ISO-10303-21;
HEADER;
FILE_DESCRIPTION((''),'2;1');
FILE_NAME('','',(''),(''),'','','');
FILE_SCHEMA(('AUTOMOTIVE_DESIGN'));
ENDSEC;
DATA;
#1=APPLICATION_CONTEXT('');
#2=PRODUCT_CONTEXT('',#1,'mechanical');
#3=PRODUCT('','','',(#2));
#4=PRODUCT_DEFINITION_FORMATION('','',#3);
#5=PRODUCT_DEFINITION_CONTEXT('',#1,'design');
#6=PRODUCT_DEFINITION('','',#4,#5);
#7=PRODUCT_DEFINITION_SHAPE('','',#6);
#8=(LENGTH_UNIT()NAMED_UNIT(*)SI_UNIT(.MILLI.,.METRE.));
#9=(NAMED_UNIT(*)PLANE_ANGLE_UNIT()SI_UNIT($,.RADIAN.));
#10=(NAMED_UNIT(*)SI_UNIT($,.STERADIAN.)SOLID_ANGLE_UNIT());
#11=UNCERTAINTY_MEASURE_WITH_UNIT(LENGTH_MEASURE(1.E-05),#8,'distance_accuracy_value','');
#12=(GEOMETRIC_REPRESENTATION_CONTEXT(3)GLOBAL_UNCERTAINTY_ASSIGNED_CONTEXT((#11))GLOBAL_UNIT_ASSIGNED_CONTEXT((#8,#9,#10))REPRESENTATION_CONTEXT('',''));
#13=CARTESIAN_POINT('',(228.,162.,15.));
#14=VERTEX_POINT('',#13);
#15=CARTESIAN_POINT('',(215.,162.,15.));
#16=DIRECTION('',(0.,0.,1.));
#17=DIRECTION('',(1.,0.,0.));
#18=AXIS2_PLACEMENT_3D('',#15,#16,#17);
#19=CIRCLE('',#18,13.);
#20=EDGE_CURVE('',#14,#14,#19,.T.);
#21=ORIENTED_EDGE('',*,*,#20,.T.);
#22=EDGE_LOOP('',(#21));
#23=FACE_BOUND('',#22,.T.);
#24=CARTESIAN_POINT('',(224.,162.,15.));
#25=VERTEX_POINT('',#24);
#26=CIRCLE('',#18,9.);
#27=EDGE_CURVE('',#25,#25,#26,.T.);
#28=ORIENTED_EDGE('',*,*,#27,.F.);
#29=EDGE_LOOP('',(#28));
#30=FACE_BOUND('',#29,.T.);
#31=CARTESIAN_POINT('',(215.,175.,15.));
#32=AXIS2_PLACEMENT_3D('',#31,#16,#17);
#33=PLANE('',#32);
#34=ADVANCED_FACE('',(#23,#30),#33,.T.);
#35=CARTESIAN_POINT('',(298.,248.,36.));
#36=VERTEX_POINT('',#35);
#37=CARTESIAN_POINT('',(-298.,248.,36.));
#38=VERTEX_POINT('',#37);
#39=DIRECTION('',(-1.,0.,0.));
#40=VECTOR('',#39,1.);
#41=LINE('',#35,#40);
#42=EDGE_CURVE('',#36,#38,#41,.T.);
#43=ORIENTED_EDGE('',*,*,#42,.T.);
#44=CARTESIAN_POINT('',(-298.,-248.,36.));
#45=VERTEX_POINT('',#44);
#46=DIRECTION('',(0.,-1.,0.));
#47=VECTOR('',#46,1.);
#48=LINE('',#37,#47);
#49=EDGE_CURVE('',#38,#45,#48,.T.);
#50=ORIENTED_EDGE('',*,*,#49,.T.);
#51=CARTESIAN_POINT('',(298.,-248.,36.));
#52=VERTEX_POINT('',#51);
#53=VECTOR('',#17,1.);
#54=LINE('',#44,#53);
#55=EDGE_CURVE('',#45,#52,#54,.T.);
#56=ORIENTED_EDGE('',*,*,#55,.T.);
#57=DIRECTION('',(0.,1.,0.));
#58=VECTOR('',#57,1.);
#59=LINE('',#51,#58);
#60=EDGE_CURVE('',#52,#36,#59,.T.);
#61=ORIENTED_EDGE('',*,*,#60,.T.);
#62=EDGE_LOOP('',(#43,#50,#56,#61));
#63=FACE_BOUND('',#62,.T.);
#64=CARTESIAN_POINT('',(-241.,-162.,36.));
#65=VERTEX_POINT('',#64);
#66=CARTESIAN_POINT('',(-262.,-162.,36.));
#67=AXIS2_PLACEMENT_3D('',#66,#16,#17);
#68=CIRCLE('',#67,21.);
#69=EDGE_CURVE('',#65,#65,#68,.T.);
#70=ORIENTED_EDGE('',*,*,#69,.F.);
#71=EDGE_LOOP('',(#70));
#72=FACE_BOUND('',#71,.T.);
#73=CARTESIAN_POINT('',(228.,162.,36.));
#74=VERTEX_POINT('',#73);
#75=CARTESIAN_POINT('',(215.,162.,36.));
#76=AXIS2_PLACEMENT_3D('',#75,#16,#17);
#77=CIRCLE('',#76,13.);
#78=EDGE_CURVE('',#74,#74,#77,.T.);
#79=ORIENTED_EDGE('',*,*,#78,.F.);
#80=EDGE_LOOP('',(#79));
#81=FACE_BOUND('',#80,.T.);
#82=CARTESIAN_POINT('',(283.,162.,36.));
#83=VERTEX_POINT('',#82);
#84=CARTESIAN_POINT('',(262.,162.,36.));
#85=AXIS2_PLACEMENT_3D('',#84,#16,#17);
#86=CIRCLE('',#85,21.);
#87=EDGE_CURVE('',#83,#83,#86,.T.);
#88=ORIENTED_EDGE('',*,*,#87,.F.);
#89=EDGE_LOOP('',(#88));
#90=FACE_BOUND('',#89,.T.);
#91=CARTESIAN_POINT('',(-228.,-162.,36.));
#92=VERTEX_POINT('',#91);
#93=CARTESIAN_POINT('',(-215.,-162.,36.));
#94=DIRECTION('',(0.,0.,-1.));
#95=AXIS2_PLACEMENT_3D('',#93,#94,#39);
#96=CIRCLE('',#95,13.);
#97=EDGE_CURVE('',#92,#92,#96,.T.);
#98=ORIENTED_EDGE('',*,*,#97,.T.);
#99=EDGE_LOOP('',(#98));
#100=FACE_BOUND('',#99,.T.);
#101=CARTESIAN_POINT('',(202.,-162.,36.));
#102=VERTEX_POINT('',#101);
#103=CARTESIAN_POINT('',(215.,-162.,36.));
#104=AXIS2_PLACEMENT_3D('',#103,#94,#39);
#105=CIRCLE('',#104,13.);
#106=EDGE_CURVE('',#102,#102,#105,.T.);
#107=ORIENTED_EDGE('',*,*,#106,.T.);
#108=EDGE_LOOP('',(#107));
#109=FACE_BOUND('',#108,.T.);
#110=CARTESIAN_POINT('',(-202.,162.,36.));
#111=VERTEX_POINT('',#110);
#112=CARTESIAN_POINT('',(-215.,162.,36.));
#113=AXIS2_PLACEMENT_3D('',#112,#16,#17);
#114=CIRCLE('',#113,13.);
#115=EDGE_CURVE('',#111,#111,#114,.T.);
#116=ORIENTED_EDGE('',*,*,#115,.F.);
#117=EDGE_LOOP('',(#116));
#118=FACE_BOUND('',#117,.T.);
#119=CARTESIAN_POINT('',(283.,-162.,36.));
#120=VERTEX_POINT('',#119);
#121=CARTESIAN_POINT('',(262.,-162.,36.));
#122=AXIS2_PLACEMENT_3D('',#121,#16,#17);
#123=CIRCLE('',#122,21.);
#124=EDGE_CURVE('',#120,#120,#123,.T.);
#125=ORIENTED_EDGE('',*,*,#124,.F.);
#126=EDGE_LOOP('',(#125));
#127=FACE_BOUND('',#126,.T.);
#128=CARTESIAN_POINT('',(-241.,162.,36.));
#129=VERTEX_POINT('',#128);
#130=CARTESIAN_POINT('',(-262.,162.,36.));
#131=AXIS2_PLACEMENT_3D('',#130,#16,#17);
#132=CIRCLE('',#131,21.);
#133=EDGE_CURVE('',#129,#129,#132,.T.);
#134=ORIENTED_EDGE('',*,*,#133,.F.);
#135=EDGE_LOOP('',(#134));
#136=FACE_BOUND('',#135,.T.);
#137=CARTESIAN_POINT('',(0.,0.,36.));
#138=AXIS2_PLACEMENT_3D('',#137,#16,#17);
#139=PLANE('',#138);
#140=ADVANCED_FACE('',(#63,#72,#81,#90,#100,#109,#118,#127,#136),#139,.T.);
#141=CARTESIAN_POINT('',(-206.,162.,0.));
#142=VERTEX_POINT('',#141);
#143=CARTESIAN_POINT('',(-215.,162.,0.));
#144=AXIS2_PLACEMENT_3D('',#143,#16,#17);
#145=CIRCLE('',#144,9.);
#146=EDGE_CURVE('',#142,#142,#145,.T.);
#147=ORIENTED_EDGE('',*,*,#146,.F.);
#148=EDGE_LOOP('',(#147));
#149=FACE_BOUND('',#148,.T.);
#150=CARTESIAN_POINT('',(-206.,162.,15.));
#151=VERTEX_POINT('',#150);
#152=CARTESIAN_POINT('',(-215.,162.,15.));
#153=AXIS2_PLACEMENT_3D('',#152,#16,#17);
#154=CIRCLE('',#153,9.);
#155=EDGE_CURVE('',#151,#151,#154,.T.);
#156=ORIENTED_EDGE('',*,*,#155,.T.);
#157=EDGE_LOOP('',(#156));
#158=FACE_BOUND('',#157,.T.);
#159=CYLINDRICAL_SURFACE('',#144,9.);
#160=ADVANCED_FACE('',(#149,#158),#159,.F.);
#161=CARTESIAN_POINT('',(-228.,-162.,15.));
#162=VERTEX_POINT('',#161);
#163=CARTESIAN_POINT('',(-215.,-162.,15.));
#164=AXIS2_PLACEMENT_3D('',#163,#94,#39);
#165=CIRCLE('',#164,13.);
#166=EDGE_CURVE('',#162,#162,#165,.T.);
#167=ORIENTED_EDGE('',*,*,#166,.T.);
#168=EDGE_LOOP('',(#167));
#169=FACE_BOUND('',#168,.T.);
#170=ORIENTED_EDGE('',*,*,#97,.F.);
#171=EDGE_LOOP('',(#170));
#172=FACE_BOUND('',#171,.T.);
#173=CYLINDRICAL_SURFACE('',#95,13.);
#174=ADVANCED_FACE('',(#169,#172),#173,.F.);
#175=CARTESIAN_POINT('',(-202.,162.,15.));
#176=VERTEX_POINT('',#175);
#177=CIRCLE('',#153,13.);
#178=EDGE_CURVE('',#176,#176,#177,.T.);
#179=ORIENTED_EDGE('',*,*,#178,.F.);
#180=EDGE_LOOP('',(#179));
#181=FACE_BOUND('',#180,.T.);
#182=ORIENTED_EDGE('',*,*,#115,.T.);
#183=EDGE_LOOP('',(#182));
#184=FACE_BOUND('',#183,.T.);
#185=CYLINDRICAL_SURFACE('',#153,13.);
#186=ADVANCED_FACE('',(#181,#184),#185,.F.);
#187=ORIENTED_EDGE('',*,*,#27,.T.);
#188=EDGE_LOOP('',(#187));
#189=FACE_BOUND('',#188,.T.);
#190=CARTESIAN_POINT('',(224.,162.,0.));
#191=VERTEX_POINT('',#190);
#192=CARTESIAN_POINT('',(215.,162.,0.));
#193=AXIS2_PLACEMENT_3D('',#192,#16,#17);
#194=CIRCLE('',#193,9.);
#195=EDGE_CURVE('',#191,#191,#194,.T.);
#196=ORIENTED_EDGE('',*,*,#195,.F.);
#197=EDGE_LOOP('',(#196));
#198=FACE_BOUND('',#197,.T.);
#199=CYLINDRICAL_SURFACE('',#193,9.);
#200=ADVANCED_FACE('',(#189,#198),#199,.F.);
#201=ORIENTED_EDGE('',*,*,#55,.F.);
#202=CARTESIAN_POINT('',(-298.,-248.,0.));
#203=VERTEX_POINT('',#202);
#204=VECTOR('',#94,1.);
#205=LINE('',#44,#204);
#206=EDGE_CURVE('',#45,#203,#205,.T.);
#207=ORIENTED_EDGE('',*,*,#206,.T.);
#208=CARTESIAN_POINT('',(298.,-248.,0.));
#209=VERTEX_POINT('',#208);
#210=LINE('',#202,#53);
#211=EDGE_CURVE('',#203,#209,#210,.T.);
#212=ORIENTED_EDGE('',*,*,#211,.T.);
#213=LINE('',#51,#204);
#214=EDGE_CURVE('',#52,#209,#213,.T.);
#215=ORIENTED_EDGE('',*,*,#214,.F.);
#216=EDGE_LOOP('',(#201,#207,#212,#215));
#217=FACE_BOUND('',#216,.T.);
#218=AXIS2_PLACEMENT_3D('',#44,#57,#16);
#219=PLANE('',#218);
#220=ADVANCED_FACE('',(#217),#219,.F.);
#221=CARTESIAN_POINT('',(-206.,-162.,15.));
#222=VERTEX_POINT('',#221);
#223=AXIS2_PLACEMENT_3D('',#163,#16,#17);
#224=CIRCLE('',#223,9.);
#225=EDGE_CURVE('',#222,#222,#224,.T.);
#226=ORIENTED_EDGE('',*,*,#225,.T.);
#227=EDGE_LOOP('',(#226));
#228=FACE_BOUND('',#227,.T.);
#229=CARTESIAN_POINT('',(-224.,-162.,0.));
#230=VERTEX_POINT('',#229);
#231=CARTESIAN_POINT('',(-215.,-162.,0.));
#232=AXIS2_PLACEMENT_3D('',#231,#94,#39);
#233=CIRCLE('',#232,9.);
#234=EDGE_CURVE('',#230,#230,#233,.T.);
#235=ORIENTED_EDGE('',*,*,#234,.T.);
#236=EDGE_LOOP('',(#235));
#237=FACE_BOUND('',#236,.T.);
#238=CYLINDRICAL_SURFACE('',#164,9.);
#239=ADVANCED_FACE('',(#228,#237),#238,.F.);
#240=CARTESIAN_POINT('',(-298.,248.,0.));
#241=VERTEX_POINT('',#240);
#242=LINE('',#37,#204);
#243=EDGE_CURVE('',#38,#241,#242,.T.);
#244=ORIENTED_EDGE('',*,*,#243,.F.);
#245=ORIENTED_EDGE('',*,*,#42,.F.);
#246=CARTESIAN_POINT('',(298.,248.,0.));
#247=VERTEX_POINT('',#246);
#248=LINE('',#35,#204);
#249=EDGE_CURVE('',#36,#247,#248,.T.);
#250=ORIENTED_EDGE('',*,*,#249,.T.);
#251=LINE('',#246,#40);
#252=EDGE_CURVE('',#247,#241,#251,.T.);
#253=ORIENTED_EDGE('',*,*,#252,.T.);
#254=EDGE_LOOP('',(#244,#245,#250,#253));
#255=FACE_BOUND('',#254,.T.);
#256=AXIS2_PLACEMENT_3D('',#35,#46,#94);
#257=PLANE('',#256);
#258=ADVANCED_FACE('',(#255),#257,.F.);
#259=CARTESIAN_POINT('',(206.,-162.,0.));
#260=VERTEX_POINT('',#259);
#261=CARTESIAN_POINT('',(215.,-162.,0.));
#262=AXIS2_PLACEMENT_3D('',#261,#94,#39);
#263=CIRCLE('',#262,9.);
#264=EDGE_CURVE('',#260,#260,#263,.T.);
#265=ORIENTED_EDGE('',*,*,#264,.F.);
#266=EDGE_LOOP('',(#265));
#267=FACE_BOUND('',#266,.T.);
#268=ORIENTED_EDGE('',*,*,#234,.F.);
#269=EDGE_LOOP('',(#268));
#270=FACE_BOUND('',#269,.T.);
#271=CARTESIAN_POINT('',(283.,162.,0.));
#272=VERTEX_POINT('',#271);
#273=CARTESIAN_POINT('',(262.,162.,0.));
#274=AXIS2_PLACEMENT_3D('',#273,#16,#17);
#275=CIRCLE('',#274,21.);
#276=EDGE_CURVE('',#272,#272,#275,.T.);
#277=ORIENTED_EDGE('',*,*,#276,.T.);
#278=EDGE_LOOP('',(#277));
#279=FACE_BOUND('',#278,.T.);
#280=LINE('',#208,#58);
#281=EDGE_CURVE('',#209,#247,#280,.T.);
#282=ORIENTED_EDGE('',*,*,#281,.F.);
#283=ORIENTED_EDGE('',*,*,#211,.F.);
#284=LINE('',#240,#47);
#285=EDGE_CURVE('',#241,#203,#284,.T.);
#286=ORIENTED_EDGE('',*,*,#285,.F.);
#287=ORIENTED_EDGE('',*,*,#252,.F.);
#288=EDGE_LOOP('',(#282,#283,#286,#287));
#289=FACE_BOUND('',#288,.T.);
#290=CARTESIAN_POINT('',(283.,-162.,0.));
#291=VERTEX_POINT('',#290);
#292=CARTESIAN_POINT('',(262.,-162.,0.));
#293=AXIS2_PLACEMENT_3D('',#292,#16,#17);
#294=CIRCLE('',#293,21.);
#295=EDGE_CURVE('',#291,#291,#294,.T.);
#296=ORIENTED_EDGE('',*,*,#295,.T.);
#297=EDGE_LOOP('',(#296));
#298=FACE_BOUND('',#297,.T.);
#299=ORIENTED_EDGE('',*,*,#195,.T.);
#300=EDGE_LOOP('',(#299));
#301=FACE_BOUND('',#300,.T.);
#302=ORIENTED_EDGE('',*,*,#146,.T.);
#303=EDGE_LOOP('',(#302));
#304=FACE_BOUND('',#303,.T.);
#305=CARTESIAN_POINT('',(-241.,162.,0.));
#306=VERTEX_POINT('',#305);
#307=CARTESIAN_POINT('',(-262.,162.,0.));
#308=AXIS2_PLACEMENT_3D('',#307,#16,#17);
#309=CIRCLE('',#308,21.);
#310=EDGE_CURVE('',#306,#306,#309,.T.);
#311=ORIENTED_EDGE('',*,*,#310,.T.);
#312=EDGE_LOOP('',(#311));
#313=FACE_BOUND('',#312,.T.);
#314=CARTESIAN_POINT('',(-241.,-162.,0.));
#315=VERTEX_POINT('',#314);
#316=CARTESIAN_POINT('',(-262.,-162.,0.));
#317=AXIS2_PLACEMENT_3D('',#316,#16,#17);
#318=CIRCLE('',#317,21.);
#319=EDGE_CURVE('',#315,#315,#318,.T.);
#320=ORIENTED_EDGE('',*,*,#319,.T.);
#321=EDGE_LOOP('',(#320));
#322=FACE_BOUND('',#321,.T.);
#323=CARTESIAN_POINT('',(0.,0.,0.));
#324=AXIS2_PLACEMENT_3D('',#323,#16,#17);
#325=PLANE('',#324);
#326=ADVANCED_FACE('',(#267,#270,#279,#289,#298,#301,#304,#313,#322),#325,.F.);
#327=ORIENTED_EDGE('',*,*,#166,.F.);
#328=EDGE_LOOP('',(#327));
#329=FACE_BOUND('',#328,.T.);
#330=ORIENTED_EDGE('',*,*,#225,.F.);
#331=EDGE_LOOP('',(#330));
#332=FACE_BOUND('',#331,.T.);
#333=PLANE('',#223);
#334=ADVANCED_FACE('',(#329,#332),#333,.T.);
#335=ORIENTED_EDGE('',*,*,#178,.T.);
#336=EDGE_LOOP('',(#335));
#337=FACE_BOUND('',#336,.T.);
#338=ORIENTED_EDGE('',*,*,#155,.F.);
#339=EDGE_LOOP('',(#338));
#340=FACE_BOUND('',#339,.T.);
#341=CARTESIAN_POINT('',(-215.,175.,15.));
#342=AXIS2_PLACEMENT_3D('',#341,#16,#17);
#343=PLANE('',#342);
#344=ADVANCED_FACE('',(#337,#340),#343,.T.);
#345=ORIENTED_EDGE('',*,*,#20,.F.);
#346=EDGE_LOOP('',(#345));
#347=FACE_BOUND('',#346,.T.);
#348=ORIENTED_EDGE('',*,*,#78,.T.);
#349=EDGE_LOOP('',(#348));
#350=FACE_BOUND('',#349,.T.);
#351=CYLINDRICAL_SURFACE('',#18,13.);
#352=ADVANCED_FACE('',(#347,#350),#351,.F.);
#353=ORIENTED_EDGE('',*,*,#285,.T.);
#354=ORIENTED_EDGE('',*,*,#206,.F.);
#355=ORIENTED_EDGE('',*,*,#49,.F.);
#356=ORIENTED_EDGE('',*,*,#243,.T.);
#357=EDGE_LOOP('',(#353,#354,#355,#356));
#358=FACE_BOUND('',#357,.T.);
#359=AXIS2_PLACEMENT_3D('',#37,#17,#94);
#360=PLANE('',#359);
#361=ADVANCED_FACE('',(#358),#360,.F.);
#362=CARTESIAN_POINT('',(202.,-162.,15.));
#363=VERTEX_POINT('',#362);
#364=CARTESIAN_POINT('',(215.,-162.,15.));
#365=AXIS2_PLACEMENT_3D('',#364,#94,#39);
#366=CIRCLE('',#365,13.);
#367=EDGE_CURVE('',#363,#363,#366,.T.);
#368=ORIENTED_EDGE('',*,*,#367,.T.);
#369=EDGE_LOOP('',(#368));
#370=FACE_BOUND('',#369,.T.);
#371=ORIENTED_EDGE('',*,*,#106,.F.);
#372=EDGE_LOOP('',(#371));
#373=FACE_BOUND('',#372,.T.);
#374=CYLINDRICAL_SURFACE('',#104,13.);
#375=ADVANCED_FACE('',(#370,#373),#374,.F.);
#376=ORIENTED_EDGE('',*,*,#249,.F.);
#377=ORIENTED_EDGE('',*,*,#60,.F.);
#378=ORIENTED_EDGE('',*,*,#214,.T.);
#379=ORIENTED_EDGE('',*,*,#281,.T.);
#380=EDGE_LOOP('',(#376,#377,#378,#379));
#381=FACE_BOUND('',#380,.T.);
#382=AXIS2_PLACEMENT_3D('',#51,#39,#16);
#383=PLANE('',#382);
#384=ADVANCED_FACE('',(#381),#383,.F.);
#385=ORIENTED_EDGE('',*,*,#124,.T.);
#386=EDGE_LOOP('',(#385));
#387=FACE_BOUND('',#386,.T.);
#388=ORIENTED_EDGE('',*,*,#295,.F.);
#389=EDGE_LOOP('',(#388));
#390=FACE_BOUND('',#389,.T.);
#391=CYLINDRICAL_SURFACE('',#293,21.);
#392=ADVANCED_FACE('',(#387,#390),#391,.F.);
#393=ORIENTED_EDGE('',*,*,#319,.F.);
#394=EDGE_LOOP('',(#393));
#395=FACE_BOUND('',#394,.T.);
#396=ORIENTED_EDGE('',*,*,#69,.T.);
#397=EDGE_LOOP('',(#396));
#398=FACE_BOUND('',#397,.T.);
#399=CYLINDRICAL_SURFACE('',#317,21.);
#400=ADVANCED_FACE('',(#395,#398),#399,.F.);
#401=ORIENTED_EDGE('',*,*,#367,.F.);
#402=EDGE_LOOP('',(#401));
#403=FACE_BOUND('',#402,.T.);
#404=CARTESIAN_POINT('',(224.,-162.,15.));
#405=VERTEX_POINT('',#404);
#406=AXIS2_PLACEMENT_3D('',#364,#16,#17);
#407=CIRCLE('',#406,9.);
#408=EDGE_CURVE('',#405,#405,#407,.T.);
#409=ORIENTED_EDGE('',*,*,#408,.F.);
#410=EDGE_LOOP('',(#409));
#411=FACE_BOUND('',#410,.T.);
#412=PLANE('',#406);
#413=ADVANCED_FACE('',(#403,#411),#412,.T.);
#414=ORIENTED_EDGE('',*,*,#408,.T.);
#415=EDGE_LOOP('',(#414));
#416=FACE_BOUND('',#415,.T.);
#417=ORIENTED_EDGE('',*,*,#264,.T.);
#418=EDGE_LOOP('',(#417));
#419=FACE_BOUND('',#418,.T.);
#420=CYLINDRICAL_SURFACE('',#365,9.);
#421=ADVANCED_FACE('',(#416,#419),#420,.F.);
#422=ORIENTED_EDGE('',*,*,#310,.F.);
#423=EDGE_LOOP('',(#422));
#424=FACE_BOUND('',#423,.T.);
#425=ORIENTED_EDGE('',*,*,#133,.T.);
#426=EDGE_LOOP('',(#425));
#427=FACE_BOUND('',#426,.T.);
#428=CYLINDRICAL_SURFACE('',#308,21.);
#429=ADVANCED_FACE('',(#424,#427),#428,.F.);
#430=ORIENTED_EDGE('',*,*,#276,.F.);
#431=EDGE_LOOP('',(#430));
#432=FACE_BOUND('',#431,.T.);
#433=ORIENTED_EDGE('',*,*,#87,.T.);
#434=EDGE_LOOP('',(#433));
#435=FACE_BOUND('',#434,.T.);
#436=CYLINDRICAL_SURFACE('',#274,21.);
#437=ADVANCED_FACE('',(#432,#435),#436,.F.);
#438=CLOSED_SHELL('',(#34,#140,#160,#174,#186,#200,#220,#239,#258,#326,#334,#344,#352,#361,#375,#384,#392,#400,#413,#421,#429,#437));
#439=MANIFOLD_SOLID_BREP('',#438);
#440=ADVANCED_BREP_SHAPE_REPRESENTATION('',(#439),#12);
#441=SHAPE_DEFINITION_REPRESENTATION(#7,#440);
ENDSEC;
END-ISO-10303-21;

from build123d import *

# Parameters (mm, degrees)
SZKIC1_W                    = 596
SZKIC1_H                    = 496
DODANIE_WYCI_GNI_CIE1_DEPTH = 36
SZKIC2_R                    = 21
WYTNIJ_WYCI_GNI_CIE1_DEPTH  = 36
SZKIC3_R                    = 21
WYTNIJ_WYCI_GNI_CIE2_DEPTH  = 36
SZKIC4_R                    = 21
WYTNIJ_WYCI_GNI_CIE3_DEPTH  = 36
SZKIC5_R                    = 21
WYTNIJ_WYCI_GNI_CIE4_DEPTH  = 36
SZKIC6_W                    = 15
SZKIC6_H                    = 9
SZKIC7_W                    = 15
SZKIC7_H                    = 9
SZKIC8_W                    = 15
SZKIC8_H                    = 9
SZKIC9_W                    = 15
SZKIC9_H                    = 9
SZKIC10_W                   = 21
SZKIC10_H                   = 13
SZKIC11_W                   = 21
SZKIC11_H                   = 13
SZKIC12_W                   = 21
SZKIC12_H                   = 13
SZKIC13_W                   = 21
SZKIC13_H                   = 13


with BuildPart() as part:
    # Szkic1 → Dodanie-wyciągnięcie1 (new body)
    with BuildSketch(Plane.XY):
        Rectangle(SZKIC1_W, SZKIC1_H)
    extrude(amount=DODANIE_WYCI_GNI_CIE1_DEPTH)

    # Szkic2 → Wytnij-wyciągnięcie1 (cut)
    with BuildSketch(Plane.XY.offset(36)):
        with Locations((262, 162)):
            Circle(SZKIC2_R)
    extrude(amount=-WYTNIJ_WYCI_GNI_CIE1_DEPTH, mode=Mode.SUBTRACT)

    # Szkic3 → Wytnij-wyciągnięcie2 (cut)
    with BuildSketch(Plane.XY.offset(36)):
        with Locations((262, -162)):
            Circle(SZKIC3_R)
    extrude(amount=-WYTNIJ_WYCI_GNI_CIE2_DEPTH, mode=Mode.SUBTRACT)

    # Szkic4 → Wytnij-wyciągnięcie3 (cut)
    with BuildSketch(Plane.XY.offset(36)):
        with Locations((-262, -162)):
            Circle(SZKIC4_R)
    extrude(amount=-WYTNIJ_WYCI_GNI_CIE3_DEPTH, mode=Mode.SUBTRACT)

    # Szkic5 → Wytnij-wyciągnięcie4 (cut)
    with BuildSketch(Plane.XY.offset(36)):
        with Locations((-262, 162)):
            Circle(SZKIC5_R)
    extrude(amount=-WYTNIJ_WYCI_GNI_CIE4_DEPTH, mode=Mode.SUBTRACT)

    # Szkic6 → Wycięcie-obrót1 (revolve, cut)
    with BuildSketch(Plane(origin=(215, 0, 0), x_dir=(0, 0, -1), z_dir=(1, 0, 0))):
        with Locations((-7.5, 166.5)):
            Rectangle(SZKIC6_W, SZKIC6_H)
    revolve(axis=Axis((215, 162, 0), (0, 0, 1)), mode=Mode.SUBTRACT)

    # Szkic7 → Wycięcie-obrót2 (revolve, cut)
    with BuildSketch(Plane(origin=(215, 0, 0), x_dir=(0, 0, -1), z_dir=(1, 0, 0))):
        with Locations((-7.5, -166.5)):
            Rectangle(SZKIC7_W, SZKIC7_H)
    revolve(axis=Axis((215, -162, 15), (0, 0, -1)), mode=Mode.SUBTRACT)

    # Szkic8 → Wycięcie-obrót3 (revolve, cut)
    with BuildSketch(Plane(origin=(-215, 0, 0), x_dir=(0, 0, -1), z_dir=(1, 0, 0))):
        with Locations((-7.5, 166.5)):
            Rectangle(SZKIC8_W, SZKIC8_H)
    revolve(axis=Axis((-215, 162, 0), (0, 0, 1)), mode=Mode.SUBTRACT)

    # Szkic9 → Wycięcie-obrót4 (revolve, cut)
    with BuildSketch(Plane(origin=(-215, 0, 0), x_dir=(0, 0, -1), z_dir=(1, 0, 0))):
        with Locations((-7.5, -166.5)):
            Rectangle(SZKIC9_W, SZKIC9_H)
    revolve(axis=Axis((-215, -162, 15), (0, 0, -1)), mode=Mode.SUBTRACT)

    # Szkic10 → Wycięcie-obrót5 (revolve, cut)
    with BuildSketch(Plane(origin=(215, 0, 0), x_dir=(0, 0, -1), z_dir=(1, 0, 0))):
        with Locations((-25.5, 168.5)):
            Rectangle(SZKIC10_W, SZKIC10_H)
    revolve(axis=Axis((215, 162, 15), (0, 0, 1)), mode=Mode.SUBTRACT)

    # Szkic11 → Wycięcie-obrót6 (revolve, cut)
    with BuildSketch(Plane(origin=(215, 0, 0), x_dir=(0, 0, -1), z_dir=(1, 0, 0))):
        with Locations((-25.5, -168.5)):
            Rectangle(SZKIC11_W, SZKIC11_H)
    revolve(axis=Axis((215, -162, 36), (0, 0, -1)), mode=Mode.SUBTRACT)

    # Szkic12 → Wycięcie-obrót7 (revolve, cut)
    with BuildSketch(Plane(origin=(-215, 0, 0), x_dir=(0, 0, -1), z_dir=(1, 0, 0))):
        with Locations((-25.5, -168.5)):
            Rectangle(SZKIC12_W, SZKIC12_H)
    revolve(axis=Axis((-215, -162, 36), (0, 0, -1)), mode=Mode.SUBTRACT)

    # Szkic13 → Wycięcie-obrót8 (revolve, cut)
    with BuildSketch(Plane(origin=(-215, 0, 0), x_dir=(0, 0, -1), z_dir=(1, 0, 0))):
        with Locations((-25.5, 168.5)):
            Rectangle(SZKIC13_W, SZKIC13_H)
    revolve(axis=Axis((-215, 162, 15), (0, 0, 1)), mode=Mode.SUBTRACT)


solid = part.part
